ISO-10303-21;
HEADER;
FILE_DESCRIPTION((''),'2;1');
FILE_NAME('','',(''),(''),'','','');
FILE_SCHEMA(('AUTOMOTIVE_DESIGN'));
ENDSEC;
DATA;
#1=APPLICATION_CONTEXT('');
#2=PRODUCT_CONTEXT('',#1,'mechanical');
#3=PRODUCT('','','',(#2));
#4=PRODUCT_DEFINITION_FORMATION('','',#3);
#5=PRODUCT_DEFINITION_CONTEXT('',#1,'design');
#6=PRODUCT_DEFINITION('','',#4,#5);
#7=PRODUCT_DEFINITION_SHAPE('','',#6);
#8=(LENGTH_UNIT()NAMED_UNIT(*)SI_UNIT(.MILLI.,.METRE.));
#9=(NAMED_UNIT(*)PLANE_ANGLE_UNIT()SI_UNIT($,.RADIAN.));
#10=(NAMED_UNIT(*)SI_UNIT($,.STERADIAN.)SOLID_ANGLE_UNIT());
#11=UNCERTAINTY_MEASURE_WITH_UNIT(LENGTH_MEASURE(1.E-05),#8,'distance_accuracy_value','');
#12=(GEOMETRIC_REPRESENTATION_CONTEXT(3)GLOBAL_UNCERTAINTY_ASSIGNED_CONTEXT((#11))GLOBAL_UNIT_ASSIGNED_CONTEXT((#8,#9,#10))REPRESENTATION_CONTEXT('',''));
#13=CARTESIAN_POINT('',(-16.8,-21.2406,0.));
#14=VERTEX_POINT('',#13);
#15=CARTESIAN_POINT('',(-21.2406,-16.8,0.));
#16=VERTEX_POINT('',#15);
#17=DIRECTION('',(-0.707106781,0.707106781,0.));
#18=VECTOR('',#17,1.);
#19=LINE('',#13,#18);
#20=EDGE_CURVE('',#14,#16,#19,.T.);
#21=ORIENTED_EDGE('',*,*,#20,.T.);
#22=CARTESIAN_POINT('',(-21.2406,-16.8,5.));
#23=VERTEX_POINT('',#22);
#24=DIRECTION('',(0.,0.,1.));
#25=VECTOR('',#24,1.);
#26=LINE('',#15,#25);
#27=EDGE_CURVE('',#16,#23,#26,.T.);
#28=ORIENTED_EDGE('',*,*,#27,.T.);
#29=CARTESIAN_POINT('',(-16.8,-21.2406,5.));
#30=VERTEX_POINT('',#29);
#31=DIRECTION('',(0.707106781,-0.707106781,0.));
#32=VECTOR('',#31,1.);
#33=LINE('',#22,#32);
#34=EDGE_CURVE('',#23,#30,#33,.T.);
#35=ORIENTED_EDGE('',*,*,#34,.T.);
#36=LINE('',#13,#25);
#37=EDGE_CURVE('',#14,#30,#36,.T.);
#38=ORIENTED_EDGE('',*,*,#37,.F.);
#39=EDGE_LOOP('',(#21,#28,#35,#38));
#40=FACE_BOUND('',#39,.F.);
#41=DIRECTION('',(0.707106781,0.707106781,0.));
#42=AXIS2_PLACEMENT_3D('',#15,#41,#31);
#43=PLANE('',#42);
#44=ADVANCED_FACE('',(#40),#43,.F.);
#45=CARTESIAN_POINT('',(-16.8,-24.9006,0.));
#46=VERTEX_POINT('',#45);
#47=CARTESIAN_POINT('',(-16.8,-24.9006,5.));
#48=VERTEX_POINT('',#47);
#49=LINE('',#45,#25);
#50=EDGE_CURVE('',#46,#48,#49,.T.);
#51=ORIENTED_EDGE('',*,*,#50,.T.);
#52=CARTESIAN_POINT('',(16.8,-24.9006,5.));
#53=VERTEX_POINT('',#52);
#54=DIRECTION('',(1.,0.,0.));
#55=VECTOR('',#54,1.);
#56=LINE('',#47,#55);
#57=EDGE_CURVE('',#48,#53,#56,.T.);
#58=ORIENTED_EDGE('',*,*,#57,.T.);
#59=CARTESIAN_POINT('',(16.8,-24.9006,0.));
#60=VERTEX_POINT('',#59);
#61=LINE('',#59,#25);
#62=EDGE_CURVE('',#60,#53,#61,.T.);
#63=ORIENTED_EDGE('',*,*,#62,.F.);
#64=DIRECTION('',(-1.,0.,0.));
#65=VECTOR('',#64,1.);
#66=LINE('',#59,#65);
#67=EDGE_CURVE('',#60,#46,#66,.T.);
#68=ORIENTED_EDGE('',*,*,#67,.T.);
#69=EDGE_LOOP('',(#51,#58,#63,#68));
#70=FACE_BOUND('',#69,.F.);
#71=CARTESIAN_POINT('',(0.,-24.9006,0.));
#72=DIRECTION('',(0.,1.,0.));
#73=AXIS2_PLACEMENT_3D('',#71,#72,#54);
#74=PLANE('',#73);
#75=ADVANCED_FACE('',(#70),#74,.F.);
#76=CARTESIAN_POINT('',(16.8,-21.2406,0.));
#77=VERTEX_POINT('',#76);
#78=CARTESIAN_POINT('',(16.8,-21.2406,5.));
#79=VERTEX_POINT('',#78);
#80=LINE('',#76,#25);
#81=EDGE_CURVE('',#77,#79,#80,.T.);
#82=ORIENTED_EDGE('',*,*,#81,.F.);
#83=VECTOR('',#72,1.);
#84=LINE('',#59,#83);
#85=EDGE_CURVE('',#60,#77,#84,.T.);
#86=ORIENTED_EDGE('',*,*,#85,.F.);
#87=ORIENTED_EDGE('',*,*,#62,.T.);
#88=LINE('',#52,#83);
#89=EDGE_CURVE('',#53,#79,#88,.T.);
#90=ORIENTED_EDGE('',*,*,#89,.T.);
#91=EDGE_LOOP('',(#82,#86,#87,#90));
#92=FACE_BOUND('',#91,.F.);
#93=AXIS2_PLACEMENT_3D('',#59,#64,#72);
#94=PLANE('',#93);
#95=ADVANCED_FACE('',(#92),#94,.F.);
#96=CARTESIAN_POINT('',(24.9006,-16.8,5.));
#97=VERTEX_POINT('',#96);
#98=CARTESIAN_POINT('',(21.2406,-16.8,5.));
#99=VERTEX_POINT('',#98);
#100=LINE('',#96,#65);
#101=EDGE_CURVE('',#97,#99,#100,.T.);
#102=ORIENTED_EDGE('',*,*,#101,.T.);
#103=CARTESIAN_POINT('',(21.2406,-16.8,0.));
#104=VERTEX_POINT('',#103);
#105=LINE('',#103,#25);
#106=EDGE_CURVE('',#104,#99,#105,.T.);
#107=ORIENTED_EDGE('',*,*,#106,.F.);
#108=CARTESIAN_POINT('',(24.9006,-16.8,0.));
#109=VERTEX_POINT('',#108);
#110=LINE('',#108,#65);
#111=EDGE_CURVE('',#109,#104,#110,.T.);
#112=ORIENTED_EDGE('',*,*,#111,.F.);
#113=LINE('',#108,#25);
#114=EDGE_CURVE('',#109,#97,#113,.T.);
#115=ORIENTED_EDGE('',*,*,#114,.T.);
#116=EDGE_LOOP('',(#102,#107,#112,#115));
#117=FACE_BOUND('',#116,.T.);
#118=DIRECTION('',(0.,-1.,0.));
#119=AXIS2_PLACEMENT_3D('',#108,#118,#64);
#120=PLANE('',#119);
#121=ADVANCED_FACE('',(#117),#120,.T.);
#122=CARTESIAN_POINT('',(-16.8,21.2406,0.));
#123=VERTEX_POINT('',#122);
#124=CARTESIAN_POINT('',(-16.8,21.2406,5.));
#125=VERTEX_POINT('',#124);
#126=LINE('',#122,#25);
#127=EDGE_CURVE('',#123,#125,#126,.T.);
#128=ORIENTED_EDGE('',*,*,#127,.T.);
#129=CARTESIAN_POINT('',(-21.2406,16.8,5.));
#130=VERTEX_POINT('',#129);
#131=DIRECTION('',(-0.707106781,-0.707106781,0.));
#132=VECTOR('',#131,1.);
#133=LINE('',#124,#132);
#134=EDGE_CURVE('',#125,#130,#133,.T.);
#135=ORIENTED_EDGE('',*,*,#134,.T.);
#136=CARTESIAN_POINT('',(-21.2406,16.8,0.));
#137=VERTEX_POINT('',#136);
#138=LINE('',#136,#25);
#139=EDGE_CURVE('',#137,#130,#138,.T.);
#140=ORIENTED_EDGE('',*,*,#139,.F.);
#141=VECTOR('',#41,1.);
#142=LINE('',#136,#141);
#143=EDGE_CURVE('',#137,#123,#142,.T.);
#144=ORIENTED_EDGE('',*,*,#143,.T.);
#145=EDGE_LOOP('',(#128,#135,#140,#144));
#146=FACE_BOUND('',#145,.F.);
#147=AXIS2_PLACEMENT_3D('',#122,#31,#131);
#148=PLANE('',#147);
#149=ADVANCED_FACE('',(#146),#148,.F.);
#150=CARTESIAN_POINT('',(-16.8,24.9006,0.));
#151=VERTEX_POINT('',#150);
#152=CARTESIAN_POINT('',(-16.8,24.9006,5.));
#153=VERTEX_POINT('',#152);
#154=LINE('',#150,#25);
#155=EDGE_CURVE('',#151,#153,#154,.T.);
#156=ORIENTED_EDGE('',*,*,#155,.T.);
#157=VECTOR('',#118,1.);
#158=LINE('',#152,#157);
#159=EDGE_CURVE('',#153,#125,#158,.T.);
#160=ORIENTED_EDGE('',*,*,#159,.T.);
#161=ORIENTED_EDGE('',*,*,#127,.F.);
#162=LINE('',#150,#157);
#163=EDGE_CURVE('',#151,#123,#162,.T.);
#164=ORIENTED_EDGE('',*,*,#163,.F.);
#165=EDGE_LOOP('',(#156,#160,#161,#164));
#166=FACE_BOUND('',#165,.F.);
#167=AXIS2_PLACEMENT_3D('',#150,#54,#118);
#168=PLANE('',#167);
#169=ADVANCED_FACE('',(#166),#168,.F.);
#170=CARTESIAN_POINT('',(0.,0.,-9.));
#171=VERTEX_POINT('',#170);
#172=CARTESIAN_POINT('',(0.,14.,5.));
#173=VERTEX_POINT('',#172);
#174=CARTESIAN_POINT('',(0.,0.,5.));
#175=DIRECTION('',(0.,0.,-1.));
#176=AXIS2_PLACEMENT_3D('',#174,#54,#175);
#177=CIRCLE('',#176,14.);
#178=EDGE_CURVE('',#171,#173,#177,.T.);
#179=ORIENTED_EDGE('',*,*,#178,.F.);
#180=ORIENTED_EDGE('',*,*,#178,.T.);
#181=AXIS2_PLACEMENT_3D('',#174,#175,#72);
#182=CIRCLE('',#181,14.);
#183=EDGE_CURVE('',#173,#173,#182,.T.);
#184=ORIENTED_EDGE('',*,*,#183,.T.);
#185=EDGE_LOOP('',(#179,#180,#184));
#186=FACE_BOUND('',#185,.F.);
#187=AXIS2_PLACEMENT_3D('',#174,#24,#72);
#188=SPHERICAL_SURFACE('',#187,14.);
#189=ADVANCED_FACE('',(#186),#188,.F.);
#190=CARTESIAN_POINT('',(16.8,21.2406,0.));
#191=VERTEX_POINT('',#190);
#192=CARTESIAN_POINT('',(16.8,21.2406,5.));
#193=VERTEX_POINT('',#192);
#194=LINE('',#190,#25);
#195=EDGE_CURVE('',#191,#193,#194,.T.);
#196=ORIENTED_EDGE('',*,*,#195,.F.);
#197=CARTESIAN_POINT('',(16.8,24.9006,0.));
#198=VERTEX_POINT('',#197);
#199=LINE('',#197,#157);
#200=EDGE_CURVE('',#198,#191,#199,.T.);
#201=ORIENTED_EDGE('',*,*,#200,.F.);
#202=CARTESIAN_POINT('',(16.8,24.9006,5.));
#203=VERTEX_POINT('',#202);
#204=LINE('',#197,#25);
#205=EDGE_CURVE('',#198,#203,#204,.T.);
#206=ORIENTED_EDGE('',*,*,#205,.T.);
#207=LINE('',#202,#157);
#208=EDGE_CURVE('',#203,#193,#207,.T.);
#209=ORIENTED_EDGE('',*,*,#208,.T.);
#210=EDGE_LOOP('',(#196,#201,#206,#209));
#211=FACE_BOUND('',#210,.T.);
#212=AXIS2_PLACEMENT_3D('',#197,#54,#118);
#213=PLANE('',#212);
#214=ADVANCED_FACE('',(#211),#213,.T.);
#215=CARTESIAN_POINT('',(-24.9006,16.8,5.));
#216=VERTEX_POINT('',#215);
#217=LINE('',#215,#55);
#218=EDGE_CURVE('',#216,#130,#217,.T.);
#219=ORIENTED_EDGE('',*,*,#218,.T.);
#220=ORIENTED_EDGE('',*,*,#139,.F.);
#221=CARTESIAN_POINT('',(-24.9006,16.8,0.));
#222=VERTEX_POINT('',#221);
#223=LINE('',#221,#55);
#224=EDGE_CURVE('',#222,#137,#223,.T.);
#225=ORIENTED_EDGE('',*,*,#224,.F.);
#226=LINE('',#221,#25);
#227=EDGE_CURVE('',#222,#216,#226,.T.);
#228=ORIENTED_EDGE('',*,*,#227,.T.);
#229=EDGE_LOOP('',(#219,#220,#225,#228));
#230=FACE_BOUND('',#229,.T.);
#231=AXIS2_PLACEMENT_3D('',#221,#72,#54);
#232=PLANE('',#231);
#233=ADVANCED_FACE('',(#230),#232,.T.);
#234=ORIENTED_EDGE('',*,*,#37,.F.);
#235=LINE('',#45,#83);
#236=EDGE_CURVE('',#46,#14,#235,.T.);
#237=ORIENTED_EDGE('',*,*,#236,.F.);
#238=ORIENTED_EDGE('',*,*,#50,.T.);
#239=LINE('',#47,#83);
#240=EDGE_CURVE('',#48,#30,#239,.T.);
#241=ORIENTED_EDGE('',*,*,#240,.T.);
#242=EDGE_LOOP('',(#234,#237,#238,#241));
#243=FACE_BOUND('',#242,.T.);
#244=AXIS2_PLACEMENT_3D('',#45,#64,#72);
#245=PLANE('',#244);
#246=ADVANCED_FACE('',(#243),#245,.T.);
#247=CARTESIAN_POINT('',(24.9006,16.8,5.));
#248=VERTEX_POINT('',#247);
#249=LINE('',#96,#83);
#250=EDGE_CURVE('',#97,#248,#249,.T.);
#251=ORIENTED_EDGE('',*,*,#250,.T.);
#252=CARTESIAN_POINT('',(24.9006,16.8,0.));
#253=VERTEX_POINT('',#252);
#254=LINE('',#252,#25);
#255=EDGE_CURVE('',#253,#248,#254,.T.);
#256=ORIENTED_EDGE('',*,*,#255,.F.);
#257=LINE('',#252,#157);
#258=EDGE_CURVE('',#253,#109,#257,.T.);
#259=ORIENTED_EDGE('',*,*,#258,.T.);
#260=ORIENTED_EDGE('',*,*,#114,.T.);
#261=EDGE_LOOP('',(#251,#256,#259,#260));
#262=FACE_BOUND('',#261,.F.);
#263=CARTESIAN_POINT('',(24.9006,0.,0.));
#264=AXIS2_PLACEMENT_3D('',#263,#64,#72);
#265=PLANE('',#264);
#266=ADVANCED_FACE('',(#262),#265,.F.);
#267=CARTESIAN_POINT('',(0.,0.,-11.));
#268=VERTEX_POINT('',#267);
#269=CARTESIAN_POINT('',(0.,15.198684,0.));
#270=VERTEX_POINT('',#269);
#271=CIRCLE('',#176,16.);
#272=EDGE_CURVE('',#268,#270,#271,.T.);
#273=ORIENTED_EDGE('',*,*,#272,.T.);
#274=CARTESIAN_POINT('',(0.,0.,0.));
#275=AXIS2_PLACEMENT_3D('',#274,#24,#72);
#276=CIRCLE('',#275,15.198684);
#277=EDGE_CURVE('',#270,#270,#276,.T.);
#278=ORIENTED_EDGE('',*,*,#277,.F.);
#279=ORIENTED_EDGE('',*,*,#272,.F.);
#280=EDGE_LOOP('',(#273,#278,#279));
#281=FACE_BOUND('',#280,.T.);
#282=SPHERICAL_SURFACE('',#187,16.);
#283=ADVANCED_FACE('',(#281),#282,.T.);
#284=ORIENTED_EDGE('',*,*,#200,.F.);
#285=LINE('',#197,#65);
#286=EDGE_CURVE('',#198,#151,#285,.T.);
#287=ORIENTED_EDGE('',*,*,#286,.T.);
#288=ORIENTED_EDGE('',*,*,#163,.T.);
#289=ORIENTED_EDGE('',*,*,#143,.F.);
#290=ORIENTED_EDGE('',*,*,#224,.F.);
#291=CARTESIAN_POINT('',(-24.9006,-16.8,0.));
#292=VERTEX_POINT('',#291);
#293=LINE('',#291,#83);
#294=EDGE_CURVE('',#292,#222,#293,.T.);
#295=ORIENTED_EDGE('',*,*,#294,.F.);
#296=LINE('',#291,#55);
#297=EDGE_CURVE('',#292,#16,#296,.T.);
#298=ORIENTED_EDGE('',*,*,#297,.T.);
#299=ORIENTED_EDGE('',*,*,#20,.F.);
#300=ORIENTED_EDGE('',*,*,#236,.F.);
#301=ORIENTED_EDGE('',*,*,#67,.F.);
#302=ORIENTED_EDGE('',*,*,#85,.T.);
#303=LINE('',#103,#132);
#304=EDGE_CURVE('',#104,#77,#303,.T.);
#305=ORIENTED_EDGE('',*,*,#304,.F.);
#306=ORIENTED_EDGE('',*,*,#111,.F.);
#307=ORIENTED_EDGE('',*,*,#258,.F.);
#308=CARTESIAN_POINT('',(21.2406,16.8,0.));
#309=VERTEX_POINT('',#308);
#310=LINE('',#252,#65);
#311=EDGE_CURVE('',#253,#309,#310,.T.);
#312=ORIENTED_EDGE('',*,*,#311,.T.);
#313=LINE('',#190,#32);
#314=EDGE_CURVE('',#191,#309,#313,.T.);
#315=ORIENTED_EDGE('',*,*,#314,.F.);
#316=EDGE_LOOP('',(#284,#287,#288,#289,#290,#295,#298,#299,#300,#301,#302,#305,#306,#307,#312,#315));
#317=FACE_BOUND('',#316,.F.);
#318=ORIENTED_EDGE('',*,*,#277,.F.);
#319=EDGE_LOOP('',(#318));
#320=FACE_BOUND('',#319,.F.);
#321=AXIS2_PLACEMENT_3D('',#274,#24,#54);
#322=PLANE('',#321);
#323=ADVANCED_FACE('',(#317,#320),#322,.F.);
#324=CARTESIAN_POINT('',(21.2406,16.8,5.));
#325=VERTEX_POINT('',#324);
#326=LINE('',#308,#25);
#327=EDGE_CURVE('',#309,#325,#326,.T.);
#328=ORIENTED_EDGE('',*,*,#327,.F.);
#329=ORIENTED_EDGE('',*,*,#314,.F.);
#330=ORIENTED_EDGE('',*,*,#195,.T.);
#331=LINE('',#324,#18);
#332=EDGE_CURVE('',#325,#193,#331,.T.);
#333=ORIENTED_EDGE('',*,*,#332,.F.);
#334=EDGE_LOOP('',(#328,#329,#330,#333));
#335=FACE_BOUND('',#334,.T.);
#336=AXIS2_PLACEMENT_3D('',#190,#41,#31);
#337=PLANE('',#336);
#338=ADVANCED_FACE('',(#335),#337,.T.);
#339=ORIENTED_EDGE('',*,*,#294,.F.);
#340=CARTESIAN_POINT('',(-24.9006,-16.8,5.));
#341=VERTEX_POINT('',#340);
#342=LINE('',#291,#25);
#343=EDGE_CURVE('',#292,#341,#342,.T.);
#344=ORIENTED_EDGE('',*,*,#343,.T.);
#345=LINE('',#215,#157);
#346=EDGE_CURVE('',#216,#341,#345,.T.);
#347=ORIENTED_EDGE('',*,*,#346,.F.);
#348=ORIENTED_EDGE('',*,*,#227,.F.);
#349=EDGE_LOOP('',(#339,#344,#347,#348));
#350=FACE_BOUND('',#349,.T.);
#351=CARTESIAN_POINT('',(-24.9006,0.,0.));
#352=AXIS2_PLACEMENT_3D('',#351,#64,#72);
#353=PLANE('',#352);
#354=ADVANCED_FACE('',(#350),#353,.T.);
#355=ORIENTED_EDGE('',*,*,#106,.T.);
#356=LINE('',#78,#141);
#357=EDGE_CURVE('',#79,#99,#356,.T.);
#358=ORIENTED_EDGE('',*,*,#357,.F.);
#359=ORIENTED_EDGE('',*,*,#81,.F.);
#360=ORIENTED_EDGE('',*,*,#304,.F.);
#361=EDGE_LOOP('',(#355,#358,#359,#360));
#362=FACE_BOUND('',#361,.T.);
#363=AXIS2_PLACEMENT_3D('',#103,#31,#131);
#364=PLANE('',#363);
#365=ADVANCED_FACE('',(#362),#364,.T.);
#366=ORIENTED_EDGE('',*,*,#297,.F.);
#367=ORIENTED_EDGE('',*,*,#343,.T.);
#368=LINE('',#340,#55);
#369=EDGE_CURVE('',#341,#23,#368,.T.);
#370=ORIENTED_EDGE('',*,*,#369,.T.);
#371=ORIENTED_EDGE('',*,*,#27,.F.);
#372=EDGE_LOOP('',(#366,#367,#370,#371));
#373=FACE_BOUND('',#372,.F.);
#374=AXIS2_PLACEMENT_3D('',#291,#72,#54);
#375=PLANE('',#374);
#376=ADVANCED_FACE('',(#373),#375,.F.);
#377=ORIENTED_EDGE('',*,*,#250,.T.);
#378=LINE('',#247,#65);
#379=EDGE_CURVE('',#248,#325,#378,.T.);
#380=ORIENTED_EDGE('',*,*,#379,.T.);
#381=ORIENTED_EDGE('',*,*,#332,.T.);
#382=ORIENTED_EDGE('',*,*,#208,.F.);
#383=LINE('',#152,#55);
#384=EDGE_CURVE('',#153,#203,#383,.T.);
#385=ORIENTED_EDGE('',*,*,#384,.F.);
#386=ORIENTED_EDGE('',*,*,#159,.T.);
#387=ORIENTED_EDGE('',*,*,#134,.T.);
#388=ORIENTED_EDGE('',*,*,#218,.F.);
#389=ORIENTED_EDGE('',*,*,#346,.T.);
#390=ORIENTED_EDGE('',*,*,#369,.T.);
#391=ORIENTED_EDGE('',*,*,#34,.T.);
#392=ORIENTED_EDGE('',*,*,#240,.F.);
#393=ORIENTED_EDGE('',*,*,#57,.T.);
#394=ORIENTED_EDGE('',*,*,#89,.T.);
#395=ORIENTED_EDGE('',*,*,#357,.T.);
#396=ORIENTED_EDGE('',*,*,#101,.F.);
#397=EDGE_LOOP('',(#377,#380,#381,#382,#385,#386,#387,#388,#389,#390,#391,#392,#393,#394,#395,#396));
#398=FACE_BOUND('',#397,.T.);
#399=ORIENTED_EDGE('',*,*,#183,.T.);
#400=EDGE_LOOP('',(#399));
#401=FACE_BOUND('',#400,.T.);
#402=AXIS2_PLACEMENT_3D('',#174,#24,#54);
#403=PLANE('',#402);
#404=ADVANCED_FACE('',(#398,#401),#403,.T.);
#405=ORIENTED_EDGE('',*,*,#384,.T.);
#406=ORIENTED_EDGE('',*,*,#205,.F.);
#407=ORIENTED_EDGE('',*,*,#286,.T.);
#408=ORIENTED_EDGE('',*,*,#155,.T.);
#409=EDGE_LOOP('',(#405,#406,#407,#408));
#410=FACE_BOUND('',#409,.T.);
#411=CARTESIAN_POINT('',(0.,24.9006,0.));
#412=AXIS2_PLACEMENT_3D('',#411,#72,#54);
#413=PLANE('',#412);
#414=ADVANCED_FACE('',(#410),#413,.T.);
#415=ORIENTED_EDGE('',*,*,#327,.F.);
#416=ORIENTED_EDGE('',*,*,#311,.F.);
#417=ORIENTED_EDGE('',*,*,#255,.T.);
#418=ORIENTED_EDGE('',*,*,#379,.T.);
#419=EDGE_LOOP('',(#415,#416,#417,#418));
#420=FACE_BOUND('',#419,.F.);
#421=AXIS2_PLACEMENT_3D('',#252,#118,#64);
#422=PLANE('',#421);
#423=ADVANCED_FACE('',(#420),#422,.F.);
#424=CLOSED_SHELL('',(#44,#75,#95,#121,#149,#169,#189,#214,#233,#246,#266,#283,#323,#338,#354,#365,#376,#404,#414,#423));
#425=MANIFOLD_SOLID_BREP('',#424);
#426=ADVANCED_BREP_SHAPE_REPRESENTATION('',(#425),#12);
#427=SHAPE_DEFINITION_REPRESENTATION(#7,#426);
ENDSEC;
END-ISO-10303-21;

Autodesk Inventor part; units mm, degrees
ref_plane "YZ Plane" through (0, 0, 0) normal (1, 0, 0) x (0, 1, 0)
ref_plane "XZ Plane" through (0, 0, 0) normal (0, 1, 0) x (-1, 0, 0)
ref_plane "XY Plane" through (0, 0, 0) normal (0, 0, 1) x (1, 0, 0)
sketch "Sketch1" plane through (0, 0, 0) normal (0, 0, 1) x (1, 0, 0)
  line L0 (-38.8739, 0) -> (58.9391, 0) construction
  line L1 (0, -36.2399) -> (0, 43.1348) construction
  line L2 (0, 0) -> (31.7956, 31.7956) construction
  line L3 (0, 0) -> (44.9658, 0) construction
  line L4 (0, 24.9006) -> (16.8, 24.9006)
  line L5 (16.8, 24.9006) -> (16.8, 21.2406)
  line L6 (16.8, 21.2406) -> (19.0203, 19.0203)
  line L7 (24.9006, 0) -> (24.9006, 16.8)
  line L8 (24.9006, 16.8) -> (21.2406, 16.8)
  line L9 (21.2406, 16.8) -> (19.0203, 19.0203)
  line L10 (0, 24.9006) -> (-16.8, 24.9006)
  line L11 (-16.8, 24.9006) -> (-16.8, 21.2406)
  line L12 (-16.8, 21.2406) -> (-19.0203, 19.0203)
  line L13 (-24.9006, 0) -> (-24.9006, 16.8)
  line L14 (-24.9006, 16.8) -> (-21.2406, 16.8)
  line L15 (-21.2406, 16.8) -> (-19.0203, 19.0203)
  line L16 (0, -24.9006) -> (16.8, -24.9006)
  line L17 (16.8, -24.9006) -> (16.8, -21.2406)
  line L18 (16.8, -21.2406) -> (19.0203, -19.0203)
  line L19 (24.9006, 0) -> (24.9006, -16.8)
  line L20 (24.9006, -16.8) -> (21.2406, -16.8)
  line L21 (21.2406, -16.8) -> (19.0203, -19.0203)
  line L22 (0, -24.9006) -> (-16.8, -24.9006)
  line L23 (-16.8, -24.9006) -> (-16.8, -21.2406)
  line L24 (-16.8, -21.2406) -> (-19.0203, -19.0203)
  line L25 (-24.9006, 0) -> (-24.9006, -16.8)
  line L26 (-24.9006, -16.8) -> (-21.2406, -16.8)
  line L27 (-21.2406, -16.8) -> (-19.0203, -19.0203)
  circle A0 centre (0, 0) radius 14
  dimension "d0" = 45
  dimension "d1" = 16.8
  dimension "d2" = 3.66
  dimension "d3" = 3.14
  dimension "d4" = 28
extrude "Extrusion1" add sketch "Sketch1" along normal blind 5
sketch "Sketch2" plane through (0, 0, 5) normal (0, 0, 1) x (1, 0, 0)
  circle A0 centre (0, 0) radius 14 construction
  line L0 (16.8, 24.9006) -> (-16.8, 24.9006) construction
  line L1 (-16.8, 24.9006) -> (-16.8, 21.2406) construction
  line L2 (-16.8, 21.2406) -> (-21.2406, 16.8) construction
  line L3 (-21.2406, 16.8) -> (-24.9006, 16.8) construction
  line L4 (-24.9006, 16.8) -> (-24.9006, -16.8) construction
  line L5 (-24.9006, -16.8) -> (-21.2406, -16.8) construction
  line L6 (-21.2406, -16.8) -> (-16.8, -21.2406) construction
  line L7 (-16.8, -21.2406) -> (-16.8, -24.9006) construction
  line L8 (-16.8, -24.9006) -> (16.8, -24.9006) construction
  line L9 (16.8, -24.9006) -> (16.8, -21.2406) construction
  line L10 (16.8, -21.2406) -> (21.2406, -16.8) construction
  line L11 (21.2406, -16.8) -> (24.9006, -16.8) construction
  line L12 (24.9006, -16.8) -> (24.9006, 16.8) construction
  line L13 (24.9006, 16.8) -> (21.2406, 16.8) construction
  line L14 (21.2406, 16.8) -> (16.8, 21.2406) construction
  line L15 (16.8, 21.2406) -> (16.8, 24.9006) construction
  line L16 (-34.8609, 0) -> (34.8609, 0) construction
  line L17 (0, -34.8609) -> (0, 34.8609) construction
  circle A1 centre (13, -13) radius 2.5
  circle A2 centre (-13, -13) radius 2.5
  dimension "d7" = 5
  dimension "d8" = 13
  dimension "d9" = 13
extrude "Extrusion2" [suppressed]
sketch "Sketch3" plane through (0, 0, 0) normal (1, 0, 0) x (0, 1, 0)
  line L0 (-14, 5) -> (14, 5) construction
  line L1 (24.9006, 5) -> (21.2406, 5) construction
  line L2 (21.2406, 5) -> (16.8, 5) construction
  line L3 (16.8, 5) -> (-16.8, 5) construction
  line L4 (-16.8, 5) -> (-21.2406, 5) construction
  line L5 (-21.2406, 5) -> (-24.9006, 5) construction
  line L6 (-24.9006, 5) -> (-21.2406, 5) construction
  line L7 (-21.2406, 5) -> (-16.8, 5) construction
  line L8 (-16.8, 5) -> (16.8, 5) construction
  line L9 (16.8, 5) -> (21.2406, 5) construction
  line L10 (21.2406, 5) -> (24.9006, 5) construction
  line L11 (24.9006, 0) -> (21.2406, 0) construction
  line L12 (24.9006, 0) -> (24.9006, 5) construction
  line L13 (21.2406, 5) -> (24.9006, 5) construction
  line L14 (21.2406, 0) -> (21.2406, 5) construction
  line L15 (21.2406, 0) -> (16.8, 0) construction
  line L16 (21.2406, 0) -> (21.2406, 5) construction
  line L17 (16.8, 5) -> (21.2406, 5) construction
  line L18 (16.8, 0) -> (16.8, 5) construction
  line L19 (16.8, 0) -> (-16.8, 0) construction
  line L20 (16.8, 0) -> (16.8, 5) construction
  line L21 (-16.8, 5) -> (16.8, 5) construction
  line L22 (-16.8, 0) -> (-16.8, 5) construction
  line L23 (-16.8, 0) -> (-21.2406, 0) construction
  line L24 (-16.8, 0) -> (-16.8, 5) construction
  line L25 (-21.2406, 5) -> (-16.8, 5) construction
  line L26 (-21.2406, 0) -> (-21.2406, 5) construction
  line L27 (-21.2406, 0) -> (-24.9006, 0) construction
  line L28 (-21.2406, 0) -> (-21.2406, 5) construction
  line L29 (-24.9006, 5) -> (-21.2406, 5) construction
  line L30 (-24.9006, 0) -> (-24.9006, 5) construction
  line L31 (-14, 5) -> (14, 5) construction
  line L32 (14, 0) -> (-14, 0) construction
  line L33 (16.8, 5) -> (-16.8, 5)
  arc A0 (0, -9) -> (14, 5) centre (0, 5) ccw
  line L34 (0, -16.0037) -> (0, 8.5006) construction
  arc A1 (0, -11) -> (16, 5) centre (0, 5) ccw
  line L35 (0, -9) -> (0, -11)
  line L36 (16, 5) -> (14, 5)
revolve "Revolution1" add sketch "Sketch3" angle 360 about axis through (0, 0, -10) along (0, 0, 1)
equation "\"d9\" = d8"
properties part number "20_Cube_Insert_Eye"
